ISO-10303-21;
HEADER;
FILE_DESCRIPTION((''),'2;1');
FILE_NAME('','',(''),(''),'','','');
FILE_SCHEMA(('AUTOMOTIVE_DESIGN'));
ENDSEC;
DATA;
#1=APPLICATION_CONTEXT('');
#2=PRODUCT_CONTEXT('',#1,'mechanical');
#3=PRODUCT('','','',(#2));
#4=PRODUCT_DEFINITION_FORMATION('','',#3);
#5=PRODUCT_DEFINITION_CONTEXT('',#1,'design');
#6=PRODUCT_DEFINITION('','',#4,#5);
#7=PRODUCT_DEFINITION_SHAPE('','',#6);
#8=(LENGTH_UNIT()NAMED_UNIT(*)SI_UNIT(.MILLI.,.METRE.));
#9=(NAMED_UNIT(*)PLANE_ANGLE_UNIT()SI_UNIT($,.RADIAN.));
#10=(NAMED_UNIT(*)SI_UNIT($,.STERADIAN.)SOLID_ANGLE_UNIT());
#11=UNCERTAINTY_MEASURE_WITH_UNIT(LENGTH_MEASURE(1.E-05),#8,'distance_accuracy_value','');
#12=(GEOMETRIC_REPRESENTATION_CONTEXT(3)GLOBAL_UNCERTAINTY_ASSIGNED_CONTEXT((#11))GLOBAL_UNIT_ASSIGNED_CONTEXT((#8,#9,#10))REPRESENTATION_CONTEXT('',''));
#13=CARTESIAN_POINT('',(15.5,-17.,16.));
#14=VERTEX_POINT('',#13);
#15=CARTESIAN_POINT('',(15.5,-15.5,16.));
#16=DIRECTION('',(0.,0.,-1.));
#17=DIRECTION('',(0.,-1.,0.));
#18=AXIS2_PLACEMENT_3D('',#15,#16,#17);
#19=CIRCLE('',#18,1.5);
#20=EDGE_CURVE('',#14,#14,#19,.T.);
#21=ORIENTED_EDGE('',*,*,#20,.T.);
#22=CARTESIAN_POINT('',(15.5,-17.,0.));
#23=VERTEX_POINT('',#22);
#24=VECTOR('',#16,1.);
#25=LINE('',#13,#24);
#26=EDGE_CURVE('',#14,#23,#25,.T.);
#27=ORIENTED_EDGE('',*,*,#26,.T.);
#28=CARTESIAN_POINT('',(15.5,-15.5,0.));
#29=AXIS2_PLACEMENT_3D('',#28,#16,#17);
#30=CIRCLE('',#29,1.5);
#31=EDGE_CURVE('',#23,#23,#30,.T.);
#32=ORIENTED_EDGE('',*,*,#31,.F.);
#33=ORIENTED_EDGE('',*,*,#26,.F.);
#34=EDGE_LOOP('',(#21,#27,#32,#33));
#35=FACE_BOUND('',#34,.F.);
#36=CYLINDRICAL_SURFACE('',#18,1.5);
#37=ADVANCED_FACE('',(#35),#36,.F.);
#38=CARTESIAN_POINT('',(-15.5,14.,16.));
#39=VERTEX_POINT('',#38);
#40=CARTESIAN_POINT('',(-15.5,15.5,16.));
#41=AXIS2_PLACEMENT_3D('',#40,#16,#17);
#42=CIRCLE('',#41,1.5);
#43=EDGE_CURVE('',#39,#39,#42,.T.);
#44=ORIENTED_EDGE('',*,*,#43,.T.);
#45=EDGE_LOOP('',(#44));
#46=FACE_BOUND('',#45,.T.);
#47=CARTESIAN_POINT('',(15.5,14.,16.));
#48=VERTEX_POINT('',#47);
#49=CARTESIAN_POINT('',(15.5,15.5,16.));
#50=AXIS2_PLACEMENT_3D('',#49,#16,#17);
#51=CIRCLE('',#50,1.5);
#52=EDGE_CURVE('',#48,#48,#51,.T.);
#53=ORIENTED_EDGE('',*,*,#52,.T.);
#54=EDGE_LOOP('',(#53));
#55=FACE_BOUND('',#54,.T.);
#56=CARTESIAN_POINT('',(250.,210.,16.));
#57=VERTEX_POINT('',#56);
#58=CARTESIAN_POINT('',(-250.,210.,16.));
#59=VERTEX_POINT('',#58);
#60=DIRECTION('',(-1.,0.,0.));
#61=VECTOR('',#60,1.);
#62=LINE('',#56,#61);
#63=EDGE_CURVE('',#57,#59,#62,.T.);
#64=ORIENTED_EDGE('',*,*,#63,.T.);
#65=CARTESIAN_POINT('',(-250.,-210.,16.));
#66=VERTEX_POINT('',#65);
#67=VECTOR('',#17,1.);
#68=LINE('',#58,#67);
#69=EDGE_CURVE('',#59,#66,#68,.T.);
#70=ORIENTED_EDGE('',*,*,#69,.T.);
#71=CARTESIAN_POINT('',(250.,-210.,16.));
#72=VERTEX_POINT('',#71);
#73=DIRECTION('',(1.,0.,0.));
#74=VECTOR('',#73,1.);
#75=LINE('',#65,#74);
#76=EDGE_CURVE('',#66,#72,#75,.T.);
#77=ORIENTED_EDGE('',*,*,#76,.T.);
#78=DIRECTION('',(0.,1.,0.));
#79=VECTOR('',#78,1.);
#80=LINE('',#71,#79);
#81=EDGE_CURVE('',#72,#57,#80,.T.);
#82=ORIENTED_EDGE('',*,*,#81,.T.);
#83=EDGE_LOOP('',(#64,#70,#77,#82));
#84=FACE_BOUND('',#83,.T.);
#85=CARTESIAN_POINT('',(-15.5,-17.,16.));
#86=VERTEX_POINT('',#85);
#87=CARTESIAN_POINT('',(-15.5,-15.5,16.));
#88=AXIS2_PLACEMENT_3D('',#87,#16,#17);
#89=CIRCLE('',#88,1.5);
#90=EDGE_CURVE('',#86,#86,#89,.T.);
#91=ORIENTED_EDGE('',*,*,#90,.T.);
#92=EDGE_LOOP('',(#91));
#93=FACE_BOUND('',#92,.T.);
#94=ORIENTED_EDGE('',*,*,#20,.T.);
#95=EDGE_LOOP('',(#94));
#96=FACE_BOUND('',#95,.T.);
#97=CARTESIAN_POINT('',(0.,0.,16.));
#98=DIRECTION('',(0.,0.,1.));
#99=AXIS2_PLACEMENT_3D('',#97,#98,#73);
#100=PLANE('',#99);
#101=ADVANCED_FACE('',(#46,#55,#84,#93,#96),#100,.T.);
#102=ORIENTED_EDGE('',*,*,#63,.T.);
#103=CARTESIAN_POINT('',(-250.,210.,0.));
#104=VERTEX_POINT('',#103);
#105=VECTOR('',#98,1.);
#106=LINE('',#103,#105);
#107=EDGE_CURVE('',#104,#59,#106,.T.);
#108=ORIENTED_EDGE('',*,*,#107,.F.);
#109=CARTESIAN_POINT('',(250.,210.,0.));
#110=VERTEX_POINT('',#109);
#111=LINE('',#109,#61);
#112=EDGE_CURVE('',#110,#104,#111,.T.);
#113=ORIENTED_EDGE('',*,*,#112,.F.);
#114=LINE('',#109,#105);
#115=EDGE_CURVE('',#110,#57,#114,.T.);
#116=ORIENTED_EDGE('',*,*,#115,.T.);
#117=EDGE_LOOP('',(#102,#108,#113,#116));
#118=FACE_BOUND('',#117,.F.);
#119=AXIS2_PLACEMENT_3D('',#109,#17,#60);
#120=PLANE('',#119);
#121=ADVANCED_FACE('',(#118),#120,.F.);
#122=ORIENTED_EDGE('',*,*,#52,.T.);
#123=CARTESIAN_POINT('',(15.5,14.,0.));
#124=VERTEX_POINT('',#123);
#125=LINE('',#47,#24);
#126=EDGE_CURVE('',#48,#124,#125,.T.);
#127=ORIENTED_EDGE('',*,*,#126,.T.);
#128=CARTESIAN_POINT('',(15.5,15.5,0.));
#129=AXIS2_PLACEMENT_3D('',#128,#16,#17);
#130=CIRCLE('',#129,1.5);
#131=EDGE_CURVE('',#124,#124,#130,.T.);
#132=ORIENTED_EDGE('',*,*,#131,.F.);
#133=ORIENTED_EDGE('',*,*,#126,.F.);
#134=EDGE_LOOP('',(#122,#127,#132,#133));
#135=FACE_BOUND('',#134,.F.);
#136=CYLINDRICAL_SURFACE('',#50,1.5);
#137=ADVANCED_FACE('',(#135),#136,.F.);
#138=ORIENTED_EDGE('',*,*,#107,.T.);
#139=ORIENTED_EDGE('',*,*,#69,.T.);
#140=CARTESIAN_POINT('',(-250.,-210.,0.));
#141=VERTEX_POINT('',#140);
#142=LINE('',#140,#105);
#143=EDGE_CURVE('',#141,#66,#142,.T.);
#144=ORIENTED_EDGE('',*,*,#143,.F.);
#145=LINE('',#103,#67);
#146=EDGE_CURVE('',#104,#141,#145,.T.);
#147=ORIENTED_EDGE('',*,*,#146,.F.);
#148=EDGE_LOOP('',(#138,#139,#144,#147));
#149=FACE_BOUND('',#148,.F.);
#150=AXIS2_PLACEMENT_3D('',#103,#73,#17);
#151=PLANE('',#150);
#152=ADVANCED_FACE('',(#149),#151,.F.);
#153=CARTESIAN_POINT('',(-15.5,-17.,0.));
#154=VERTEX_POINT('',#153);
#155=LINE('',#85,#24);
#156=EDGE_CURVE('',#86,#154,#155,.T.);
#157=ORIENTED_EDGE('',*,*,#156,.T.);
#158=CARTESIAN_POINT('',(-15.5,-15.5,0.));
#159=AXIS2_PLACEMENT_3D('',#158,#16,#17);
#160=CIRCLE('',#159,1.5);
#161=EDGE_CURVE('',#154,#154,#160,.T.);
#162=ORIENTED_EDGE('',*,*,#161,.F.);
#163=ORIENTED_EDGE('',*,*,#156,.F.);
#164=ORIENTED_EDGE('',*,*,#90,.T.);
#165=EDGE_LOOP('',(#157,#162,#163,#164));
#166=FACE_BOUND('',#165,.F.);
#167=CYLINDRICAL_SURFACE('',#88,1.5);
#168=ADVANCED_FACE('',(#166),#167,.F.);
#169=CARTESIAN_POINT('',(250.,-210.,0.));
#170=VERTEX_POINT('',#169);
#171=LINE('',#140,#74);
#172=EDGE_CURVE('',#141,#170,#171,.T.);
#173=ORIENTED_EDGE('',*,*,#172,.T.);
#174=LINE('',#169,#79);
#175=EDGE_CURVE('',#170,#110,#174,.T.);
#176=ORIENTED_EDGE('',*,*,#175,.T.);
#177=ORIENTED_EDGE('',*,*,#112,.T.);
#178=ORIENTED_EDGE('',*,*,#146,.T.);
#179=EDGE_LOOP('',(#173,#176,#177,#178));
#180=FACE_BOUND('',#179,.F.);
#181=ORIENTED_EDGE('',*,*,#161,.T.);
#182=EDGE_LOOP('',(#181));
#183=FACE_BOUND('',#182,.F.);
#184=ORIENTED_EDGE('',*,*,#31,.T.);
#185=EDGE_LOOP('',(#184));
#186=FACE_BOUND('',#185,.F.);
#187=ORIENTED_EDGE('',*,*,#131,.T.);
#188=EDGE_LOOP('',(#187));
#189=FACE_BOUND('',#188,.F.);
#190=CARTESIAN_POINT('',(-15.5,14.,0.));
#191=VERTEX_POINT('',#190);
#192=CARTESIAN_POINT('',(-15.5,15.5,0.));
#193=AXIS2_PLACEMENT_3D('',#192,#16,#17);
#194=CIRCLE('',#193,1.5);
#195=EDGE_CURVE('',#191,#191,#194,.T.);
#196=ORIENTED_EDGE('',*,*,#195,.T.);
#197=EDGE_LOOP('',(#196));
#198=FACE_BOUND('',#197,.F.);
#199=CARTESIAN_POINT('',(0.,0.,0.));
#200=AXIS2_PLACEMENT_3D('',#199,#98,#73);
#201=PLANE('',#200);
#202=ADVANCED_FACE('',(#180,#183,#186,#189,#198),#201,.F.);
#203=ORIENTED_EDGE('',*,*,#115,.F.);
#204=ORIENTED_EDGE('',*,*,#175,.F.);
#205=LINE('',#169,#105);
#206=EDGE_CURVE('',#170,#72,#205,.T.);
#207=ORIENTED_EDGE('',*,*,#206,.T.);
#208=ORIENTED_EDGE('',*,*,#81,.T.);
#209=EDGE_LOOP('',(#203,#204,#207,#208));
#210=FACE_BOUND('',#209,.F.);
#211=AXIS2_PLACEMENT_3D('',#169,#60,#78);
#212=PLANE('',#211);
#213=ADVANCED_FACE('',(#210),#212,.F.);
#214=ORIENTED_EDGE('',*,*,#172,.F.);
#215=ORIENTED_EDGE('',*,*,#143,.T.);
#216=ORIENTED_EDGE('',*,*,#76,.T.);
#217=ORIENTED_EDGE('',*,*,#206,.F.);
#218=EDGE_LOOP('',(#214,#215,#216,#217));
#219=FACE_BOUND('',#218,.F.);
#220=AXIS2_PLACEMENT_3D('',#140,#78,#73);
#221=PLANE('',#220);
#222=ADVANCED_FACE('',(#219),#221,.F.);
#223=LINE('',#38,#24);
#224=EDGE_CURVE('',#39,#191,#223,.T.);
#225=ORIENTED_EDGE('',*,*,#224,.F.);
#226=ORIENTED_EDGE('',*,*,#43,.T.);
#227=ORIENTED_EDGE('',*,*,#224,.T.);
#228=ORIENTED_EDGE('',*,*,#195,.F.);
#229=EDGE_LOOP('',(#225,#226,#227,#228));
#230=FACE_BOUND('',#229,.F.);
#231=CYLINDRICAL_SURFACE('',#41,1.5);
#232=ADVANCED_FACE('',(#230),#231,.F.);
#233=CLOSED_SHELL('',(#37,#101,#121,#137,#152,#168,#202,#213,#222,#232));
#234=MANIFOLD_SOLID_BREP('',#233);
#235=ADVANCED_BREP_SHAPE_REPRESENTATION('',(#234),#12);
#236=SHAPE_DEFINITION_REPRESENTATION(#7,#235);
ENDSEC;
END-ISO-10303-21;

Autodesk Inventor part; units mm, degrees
ref_plane "YZ Plane" through (0, 0, 0) normal (1, 0, 0) x (0, 1, 0)
ref_plane "XZ Plane" through (0, 0, 0) normal (0, 1, 0) x (-1, 0, 0)
ref_plane "XY Plane" through (0, 0, 0) normal (0, 0, 1) x (1, 0, 0)
sketch "Skizze1" plane through (0, 0, 0) normal (0, 0, 1) x (1, 0, 0)
  line L0 (-250, -210) -> (250, -210)
  line L1 (250, -210) -> (250, 210)
  line L2 (250, 210) -> (-250, 210)
  line L3 (-250, 210) -> (-250, -210)
  line L4 (-250, -210) -> (250, 210) construction
  line L5 (250, -210) -> (-250, 210) construction
  point P0 (0, 0)
  dimension "d0" = 500
  dimension "d1" = 420
extrude "Extrusion1" add sketch "Skizze1" along normal blind 16
sketch "Skizze3" plane through (0, 0, 16) normal (0, 0, 1) x (1, 0, 0)
  line L0 (0, -294) -> (0, 294) projected
  line L1 (-350, 0) -> (350, 0) projected
  line L2 (-250, 210) -> (-250, -210) projected
  point P0 (0, 0)
  point P1 (8.3767, 8.3767)
  point P2 (-8.3767, 8.3767)
  point P3 (-8.3767, -8.3767)
  point P4 (8.3767, -8.3767)
  point P5 (-15.5, 15.5)
  point P6 (15.5, 15.5)
  point P7 (-15.5, -15.5)
  point P8 (15.5, -15.5)
  dimension "d15" = 360
  dimension "d39" = 31
  dimension "d40" = 31
  dimension "d41" = 234.5
hole "Bohrung2" at (-15.5, 15.5, 16) at (15.5, 15.5, 16) at (15.5, -15.5, 16) at (-15.5, -15.5, 16) direction (0, 0, -1) diameter 3 end through all
equation "\"d40\" = d39"
properties part number "Boden" material "Holz (Birke)"
